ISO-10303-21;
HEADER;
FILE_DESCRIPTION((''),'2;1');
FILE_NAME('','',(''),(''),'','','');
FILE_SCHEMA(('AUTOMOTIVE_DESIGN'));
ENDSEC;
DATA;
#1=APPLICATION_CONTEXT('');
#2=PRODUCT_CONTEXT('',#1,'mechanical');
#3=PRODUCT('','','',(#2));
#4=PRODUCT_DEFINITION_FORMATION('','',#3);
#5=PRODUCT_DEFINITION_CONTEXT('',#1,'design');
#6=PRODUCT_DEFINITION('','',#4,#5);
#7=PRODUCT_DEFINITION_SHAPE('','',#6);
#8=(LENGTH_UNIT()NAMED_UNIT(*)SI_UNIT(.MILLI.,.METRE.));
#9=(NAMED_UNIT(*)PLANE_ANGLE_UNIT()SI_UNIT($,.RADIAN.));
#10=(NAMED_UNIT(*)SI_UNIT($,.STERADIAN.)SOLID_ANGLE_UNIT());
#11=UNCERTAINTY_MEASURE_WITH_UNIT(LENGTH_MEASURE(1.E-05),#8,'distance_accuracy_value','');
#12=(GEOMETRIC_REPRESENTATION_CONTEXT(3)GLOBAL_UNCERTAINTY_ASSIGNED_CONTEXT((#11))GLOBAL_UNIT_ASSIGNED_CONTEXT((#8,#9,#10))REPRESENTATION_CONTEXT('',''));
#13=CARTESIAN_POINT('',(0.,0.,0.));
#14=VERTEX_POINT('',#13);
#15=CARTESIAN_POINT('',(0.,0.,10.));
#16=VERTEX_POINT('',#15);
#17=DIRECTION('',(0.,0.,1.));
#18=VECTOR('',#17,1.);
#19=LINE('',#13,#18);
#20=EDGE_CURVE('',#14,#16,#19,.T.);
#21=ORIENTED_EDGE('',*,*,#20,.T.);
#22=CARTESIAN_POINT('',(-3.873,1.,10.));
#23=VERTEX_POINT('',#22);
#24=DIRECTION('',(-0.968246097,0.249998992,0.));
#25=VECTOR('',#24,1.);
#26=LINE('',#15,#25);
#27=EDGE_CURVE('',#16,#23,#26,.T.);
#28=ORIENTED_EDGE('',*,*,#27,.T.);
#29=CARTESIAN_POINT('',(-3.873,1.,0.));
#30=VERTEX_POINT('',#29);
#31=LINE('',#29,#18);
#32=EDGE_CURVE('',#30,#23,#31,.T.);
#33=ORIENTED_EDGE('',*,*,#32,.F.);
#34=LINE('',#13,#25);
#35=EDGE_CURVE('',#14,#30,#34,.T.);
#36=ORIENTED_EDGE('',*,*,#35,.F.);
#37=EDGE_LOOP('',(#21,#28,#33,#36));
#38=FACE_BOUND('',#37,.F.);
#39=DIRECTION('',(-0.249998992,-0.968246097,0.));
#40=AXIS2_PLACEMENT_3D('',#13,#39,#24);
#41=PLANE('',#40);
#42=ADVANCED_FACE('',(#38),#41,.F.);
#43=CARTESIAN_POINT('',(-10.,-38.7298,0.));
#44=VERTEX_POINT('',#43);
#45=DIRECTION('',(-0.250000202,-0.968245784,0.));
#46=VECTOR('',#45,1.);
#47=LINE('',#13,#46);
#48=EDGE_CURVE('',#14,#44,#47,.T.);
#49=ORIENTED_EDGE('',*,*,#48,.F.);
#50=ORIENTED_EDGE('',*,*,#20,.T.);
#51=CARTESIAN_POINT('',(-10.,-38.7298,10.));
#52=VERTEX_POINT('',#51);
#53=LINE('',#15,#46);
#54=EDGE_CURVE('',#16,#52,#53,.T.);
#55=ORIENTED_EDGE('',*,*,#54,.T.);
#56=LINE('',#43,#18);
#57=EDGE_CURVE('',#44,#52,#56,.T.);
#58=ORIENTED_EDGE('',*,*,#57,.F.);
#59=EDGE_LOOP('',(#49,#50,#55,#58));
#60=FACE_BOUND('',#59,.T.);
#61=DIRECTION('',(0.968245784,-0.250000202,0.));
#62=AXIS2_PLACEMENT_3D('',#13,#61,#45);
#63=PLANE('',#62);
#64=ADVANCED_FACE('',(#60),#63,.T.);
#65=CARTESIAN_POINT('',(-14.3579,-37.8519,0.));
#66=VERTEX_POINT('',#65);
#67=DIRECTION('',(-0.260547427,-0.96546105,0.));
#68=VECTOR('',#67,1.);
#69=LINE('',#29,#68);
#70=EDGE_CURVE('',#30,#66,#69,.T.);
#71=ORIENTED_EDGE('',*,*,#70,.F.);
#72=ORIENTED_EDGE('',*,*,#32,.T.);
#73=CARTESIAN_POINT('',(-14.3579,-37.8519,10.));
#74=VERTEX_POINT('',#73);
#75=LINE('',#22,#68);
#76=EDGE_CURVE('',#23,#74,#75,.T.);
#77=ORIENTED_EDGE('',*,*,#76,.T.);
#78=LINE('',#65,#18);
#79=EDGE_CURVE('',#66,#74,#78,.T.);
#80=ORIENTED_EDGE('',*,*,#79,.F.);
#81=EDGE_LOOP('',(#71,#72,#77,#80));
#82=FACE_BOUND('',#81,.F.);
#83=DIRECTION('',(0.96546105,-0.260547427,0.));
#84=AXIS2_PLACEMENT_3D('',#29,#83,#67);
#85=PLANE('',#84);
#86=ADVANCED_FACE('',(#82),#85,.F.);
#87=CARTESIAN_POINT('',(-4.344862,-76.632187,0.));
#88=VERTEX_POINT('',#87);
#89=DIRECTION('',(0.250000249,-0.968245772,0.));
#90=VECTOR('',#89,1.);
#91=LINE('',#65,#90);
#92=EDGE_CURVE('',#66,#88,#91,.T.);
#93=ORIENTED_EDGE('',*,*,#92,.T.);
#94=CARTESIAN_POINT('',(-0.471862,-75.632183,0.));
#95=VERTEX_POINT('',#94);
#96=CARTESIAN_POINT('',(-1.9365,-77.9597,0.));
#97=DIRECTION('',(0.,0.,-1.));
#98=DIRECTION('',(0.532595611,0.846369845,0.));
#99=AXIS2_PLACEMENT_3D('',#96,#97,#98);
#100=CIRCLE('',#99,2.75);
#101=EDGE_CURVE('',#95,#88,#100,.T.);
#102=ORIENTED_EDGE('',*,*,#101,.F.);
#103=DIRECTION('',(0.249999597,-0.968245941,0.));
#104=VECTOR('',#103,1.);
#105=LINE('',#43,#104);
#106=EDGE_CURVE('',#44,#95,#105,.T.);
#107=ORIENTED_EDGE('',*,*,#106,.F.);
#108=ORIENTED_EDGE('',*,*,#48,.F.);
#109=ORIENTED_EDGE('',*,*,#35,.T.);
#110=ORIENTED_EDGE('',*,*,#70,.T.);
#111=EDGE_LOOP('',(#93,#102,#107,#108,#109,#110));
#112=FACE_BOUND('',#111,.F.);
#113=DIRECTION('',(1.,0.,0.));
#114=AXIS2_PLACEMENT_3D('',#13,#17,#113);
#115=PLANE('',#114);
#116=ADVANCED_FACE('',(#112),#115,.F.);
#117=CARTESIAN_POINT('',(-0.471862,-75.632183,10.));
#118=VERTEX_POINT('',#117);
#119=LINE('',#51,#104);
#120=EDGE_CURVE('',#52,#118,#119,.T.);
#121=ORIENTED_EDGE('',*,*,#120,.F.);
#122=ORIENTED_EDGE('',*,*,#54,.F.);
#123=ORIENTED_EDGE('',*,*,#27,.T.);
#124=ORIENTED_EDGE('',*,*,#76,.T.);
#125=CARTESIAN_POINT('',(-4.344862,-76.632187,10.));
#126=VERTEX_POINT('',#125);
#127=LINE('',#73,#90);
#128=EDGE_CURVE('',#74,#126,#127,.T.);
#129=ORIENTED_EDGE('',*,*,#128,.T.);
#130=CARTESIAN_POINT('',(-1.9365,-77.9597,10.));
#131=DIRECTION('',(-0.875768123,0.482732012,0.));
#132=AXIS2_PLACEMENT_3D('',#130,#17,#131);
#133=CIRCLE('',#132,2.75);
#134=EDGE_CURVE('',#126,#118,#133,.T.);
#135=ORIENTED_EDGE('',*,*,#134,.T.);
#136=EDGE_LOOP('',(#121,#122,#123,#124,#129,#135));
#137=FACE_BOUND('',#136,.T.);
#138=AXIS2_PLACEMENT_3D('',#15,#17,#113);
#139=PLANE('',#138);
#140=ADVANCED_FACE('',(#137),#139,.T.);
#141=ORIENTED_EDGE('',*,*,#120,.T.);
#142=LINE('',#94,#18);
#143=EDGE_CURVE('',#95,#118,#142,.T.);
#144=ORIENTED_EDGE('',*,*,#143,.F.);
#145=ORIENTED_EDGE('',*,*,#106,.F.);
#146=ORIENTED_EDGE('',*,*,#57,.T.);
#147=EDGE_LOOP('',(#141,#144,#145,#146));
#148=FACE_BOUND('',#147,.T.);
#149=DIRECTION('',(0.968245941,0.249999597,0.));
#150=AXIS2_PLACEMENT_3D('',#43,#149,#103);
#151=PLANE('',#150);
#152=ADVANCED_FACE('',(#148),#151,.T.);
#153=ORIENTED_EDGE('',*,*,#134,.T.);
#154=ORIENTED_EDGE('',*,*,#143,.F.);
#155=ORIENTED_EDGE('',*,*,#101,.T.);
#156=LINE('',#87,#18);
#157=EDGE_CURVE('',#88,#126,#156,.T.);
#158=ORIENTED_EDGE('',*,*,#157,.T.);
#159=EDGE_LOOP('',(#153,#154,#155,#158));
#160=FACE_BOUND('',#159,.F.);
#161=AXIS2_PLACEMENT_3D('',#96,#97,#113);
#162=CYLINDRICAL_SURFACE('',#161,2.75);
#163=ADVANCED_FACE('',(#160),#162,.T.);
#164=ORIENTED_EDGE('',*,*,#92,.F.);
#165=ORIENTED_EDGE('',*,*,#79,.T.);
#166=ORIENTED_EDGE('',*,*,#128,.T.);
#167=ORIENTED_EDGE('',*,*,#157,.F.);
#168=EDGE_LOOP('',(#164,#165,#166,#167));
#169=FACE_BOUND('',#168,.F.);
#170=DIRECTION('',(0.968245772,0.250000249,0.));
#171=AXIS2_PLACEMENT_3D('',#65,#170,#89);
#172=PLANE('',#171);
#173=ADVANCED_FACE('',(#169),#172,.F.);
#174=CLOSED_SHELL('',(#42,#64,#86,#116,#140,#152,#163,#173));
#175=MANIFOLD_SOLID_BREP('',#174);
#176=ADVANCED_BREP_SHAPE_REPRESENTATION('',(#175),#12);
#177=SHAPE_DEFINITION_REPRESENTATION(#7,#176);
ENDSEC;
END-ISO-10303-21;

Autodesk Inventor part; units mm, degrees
ref_plane "YZ Plane" through (0, 0, 0) normal (1, 0, 0) x (0, 1, 0)
ref_plane "XZ Plane" through (0, 0, 0) normal (0, 1, 0) x (-1, 0, 0)
ref_plane "XY Plane" through (0, 0, 0) normal (0, 0, 1) x (1, 0, 0)
sketch "Sketch1 - gripper" plane through (0, 0, 0) normal (0, 0, 1) x (1, 0, 0)
  line L0 (0, 0) -> (-10, -38.7298)
  line L1 (-10, -38.7298) -> (0, -38.7298) construction
  line L2 (-10, -38.7298) -> (0, -77.4597)
  line L3 (0, 0) -> (-3.873, 1)
  line L4 (-3.873, 1) -> (-14.3579, -37.8519)
  line L5 (-14.3579, -37.8519) -> (-3.873, -78.4597)
  line L6 (-3.873, -78.4597) -> (0, -77.4597)
  circle A0 centre (-1.9365, -77.9597) radius 2.75
  point P0 (-4.3448, -76.6321)
  point P1 (-0.4719, -75.6321)
  dimension "d18" = 40
  dimension "d19" = 40
  dimension "d20" = 4
  dimension "d21" = 5.5
extrude "Extrusion1" add sketch "Sketch1 - gripper" along normal blind 10
sketch "Sketch3" plane through (0, 0, 0) normal (0, 0, -1) x (-1, 0, 0)
  line L0 (10, -38.7298) -> (0, 0) construction
  line L1 (3.873, 1) -> (14.3579, -37.8519) projected
  line L2 (4.1429, 0) -> (-40.8571, 0)
  line L3 (-40.8571, 0) -> (-40.8571, 25)
  line L4 (-40.8571, 25) -> (4.1429, 25)
  line L5 (4.1429, 25) -> (4.1429, 0)
  dimension "d22" = 45
  dimension "d23" = 25
properties part number "arm1"
